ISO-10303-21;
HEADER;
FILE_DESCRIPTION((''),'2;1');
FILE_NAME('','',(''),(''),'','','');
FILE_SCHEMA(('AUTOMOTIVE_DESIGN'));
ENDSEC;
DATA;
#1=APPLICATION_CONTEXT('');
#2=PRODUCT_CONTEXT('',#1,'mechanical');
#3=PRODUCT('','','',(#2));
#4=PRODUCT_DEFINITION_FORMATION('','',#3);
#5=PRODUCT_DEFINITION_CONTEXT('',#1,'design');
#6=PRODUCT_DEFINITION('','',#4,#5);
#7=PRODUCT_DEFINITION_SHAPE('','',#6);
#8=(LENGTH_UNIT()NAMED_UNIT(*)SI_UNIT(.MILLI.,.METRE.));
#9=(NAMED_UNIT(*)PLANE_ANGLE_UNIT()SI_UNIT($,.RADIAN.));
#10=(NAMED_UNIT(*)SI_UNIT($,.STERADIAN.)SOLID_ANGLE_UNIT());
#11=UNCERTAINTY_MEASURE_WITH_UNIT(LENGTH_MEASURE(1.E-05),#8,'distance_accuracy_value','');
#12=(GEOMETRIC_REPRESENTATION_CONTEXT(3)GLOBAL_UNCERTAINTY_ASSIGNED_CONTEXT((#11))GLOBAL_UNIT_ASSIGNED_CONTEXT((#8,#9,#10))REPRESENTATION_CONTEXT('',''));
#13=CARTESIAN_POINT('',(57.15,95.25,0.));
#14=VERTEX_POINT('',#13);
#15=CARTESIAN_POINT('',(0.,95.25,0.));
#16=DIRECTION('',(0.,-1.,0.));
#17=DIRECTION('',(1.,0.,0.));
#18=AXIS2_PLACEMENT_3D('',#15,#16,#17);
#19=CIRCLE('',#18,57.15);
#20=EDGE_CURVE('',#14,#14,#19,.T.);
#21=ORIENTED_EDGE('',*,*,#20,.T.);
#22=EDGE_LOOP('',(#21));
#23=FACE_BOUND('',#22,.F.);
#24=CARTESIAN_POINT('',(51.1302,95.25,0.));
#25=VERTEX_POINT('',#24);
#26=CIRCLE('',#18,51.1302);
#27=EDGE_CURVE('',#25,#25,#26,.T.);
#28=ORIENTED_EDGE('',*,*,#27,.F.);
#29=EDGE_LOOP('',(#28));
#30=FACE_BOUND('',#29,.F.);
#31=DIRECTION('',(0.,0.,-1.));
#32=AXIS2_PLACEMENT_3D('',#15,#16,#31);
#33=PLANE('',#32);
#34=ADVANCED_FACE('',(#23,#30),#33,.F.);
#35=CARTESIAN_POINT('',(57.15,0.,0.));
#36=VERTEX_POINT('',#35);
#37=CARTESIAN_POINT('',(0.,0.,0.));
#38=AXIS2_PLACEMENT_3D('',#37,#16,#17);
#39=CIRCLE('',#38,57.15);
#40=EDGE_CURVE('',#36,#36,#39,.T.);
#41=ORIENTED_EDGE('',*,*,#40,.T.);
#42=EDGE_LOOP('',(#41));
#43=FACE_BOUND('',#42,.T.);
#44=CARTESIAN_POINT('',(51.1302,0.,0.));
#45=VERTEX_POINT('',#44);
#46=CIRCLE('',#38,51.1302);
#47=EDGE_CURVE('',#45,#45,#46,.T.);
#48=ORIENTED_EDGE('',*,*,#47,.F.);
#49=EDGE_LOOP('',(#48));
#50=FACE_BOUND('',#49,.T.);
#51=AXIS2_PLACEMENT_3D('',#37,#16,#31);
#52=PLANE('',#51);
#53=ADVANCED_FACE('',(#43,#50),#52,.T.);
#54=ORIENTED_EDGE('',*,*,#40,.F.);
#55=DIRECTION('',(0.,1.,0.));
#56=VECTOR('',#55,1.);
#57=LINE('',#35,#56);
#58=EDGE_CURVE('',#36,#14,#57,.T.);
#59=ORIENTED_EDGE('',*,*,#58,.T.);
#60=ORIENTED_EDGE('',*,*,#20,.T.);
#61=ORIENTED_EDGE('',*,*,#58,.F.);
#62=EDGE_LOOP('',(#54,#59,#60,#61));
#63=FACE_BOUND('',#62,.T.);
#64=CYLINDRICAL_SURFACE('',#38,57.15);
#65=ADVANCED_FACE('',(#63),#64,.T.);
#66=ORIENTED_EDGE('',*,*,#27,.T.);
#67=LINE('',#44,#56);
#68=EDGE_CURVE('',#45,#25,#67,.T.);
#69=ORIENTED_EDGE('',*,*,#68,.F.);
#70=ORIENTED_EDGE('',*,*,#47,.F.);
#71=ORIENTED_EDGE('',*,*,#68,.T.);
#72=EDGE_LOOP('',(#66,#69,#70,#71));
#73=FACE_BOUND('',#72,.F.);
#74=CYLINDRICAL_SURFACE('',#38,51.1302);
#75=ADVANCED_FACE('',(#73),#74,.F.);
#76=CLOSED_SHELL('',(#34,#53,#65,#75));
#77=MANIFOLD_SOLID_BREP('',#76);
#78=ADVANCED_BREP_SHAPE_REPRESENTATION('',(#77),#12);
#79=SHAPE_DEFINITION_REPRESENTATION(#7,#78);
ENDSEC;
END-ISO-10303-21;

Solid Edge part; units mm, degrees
sketch "Sketch1" plane through (0, 0, 0) normal (0, -1, 0) x (1, 0, 0)
  circle A0 centre (0, 0) radius 51.1302
  circle A1 centre (0, 0) radius 57.15
  dimension "D1" = 114.3
  dimension "D2" = 6.0198
  dimension "D3" = 204.5208
extrude "Protrusion1" add sketch "Sketch1" against normal blind 95.25
